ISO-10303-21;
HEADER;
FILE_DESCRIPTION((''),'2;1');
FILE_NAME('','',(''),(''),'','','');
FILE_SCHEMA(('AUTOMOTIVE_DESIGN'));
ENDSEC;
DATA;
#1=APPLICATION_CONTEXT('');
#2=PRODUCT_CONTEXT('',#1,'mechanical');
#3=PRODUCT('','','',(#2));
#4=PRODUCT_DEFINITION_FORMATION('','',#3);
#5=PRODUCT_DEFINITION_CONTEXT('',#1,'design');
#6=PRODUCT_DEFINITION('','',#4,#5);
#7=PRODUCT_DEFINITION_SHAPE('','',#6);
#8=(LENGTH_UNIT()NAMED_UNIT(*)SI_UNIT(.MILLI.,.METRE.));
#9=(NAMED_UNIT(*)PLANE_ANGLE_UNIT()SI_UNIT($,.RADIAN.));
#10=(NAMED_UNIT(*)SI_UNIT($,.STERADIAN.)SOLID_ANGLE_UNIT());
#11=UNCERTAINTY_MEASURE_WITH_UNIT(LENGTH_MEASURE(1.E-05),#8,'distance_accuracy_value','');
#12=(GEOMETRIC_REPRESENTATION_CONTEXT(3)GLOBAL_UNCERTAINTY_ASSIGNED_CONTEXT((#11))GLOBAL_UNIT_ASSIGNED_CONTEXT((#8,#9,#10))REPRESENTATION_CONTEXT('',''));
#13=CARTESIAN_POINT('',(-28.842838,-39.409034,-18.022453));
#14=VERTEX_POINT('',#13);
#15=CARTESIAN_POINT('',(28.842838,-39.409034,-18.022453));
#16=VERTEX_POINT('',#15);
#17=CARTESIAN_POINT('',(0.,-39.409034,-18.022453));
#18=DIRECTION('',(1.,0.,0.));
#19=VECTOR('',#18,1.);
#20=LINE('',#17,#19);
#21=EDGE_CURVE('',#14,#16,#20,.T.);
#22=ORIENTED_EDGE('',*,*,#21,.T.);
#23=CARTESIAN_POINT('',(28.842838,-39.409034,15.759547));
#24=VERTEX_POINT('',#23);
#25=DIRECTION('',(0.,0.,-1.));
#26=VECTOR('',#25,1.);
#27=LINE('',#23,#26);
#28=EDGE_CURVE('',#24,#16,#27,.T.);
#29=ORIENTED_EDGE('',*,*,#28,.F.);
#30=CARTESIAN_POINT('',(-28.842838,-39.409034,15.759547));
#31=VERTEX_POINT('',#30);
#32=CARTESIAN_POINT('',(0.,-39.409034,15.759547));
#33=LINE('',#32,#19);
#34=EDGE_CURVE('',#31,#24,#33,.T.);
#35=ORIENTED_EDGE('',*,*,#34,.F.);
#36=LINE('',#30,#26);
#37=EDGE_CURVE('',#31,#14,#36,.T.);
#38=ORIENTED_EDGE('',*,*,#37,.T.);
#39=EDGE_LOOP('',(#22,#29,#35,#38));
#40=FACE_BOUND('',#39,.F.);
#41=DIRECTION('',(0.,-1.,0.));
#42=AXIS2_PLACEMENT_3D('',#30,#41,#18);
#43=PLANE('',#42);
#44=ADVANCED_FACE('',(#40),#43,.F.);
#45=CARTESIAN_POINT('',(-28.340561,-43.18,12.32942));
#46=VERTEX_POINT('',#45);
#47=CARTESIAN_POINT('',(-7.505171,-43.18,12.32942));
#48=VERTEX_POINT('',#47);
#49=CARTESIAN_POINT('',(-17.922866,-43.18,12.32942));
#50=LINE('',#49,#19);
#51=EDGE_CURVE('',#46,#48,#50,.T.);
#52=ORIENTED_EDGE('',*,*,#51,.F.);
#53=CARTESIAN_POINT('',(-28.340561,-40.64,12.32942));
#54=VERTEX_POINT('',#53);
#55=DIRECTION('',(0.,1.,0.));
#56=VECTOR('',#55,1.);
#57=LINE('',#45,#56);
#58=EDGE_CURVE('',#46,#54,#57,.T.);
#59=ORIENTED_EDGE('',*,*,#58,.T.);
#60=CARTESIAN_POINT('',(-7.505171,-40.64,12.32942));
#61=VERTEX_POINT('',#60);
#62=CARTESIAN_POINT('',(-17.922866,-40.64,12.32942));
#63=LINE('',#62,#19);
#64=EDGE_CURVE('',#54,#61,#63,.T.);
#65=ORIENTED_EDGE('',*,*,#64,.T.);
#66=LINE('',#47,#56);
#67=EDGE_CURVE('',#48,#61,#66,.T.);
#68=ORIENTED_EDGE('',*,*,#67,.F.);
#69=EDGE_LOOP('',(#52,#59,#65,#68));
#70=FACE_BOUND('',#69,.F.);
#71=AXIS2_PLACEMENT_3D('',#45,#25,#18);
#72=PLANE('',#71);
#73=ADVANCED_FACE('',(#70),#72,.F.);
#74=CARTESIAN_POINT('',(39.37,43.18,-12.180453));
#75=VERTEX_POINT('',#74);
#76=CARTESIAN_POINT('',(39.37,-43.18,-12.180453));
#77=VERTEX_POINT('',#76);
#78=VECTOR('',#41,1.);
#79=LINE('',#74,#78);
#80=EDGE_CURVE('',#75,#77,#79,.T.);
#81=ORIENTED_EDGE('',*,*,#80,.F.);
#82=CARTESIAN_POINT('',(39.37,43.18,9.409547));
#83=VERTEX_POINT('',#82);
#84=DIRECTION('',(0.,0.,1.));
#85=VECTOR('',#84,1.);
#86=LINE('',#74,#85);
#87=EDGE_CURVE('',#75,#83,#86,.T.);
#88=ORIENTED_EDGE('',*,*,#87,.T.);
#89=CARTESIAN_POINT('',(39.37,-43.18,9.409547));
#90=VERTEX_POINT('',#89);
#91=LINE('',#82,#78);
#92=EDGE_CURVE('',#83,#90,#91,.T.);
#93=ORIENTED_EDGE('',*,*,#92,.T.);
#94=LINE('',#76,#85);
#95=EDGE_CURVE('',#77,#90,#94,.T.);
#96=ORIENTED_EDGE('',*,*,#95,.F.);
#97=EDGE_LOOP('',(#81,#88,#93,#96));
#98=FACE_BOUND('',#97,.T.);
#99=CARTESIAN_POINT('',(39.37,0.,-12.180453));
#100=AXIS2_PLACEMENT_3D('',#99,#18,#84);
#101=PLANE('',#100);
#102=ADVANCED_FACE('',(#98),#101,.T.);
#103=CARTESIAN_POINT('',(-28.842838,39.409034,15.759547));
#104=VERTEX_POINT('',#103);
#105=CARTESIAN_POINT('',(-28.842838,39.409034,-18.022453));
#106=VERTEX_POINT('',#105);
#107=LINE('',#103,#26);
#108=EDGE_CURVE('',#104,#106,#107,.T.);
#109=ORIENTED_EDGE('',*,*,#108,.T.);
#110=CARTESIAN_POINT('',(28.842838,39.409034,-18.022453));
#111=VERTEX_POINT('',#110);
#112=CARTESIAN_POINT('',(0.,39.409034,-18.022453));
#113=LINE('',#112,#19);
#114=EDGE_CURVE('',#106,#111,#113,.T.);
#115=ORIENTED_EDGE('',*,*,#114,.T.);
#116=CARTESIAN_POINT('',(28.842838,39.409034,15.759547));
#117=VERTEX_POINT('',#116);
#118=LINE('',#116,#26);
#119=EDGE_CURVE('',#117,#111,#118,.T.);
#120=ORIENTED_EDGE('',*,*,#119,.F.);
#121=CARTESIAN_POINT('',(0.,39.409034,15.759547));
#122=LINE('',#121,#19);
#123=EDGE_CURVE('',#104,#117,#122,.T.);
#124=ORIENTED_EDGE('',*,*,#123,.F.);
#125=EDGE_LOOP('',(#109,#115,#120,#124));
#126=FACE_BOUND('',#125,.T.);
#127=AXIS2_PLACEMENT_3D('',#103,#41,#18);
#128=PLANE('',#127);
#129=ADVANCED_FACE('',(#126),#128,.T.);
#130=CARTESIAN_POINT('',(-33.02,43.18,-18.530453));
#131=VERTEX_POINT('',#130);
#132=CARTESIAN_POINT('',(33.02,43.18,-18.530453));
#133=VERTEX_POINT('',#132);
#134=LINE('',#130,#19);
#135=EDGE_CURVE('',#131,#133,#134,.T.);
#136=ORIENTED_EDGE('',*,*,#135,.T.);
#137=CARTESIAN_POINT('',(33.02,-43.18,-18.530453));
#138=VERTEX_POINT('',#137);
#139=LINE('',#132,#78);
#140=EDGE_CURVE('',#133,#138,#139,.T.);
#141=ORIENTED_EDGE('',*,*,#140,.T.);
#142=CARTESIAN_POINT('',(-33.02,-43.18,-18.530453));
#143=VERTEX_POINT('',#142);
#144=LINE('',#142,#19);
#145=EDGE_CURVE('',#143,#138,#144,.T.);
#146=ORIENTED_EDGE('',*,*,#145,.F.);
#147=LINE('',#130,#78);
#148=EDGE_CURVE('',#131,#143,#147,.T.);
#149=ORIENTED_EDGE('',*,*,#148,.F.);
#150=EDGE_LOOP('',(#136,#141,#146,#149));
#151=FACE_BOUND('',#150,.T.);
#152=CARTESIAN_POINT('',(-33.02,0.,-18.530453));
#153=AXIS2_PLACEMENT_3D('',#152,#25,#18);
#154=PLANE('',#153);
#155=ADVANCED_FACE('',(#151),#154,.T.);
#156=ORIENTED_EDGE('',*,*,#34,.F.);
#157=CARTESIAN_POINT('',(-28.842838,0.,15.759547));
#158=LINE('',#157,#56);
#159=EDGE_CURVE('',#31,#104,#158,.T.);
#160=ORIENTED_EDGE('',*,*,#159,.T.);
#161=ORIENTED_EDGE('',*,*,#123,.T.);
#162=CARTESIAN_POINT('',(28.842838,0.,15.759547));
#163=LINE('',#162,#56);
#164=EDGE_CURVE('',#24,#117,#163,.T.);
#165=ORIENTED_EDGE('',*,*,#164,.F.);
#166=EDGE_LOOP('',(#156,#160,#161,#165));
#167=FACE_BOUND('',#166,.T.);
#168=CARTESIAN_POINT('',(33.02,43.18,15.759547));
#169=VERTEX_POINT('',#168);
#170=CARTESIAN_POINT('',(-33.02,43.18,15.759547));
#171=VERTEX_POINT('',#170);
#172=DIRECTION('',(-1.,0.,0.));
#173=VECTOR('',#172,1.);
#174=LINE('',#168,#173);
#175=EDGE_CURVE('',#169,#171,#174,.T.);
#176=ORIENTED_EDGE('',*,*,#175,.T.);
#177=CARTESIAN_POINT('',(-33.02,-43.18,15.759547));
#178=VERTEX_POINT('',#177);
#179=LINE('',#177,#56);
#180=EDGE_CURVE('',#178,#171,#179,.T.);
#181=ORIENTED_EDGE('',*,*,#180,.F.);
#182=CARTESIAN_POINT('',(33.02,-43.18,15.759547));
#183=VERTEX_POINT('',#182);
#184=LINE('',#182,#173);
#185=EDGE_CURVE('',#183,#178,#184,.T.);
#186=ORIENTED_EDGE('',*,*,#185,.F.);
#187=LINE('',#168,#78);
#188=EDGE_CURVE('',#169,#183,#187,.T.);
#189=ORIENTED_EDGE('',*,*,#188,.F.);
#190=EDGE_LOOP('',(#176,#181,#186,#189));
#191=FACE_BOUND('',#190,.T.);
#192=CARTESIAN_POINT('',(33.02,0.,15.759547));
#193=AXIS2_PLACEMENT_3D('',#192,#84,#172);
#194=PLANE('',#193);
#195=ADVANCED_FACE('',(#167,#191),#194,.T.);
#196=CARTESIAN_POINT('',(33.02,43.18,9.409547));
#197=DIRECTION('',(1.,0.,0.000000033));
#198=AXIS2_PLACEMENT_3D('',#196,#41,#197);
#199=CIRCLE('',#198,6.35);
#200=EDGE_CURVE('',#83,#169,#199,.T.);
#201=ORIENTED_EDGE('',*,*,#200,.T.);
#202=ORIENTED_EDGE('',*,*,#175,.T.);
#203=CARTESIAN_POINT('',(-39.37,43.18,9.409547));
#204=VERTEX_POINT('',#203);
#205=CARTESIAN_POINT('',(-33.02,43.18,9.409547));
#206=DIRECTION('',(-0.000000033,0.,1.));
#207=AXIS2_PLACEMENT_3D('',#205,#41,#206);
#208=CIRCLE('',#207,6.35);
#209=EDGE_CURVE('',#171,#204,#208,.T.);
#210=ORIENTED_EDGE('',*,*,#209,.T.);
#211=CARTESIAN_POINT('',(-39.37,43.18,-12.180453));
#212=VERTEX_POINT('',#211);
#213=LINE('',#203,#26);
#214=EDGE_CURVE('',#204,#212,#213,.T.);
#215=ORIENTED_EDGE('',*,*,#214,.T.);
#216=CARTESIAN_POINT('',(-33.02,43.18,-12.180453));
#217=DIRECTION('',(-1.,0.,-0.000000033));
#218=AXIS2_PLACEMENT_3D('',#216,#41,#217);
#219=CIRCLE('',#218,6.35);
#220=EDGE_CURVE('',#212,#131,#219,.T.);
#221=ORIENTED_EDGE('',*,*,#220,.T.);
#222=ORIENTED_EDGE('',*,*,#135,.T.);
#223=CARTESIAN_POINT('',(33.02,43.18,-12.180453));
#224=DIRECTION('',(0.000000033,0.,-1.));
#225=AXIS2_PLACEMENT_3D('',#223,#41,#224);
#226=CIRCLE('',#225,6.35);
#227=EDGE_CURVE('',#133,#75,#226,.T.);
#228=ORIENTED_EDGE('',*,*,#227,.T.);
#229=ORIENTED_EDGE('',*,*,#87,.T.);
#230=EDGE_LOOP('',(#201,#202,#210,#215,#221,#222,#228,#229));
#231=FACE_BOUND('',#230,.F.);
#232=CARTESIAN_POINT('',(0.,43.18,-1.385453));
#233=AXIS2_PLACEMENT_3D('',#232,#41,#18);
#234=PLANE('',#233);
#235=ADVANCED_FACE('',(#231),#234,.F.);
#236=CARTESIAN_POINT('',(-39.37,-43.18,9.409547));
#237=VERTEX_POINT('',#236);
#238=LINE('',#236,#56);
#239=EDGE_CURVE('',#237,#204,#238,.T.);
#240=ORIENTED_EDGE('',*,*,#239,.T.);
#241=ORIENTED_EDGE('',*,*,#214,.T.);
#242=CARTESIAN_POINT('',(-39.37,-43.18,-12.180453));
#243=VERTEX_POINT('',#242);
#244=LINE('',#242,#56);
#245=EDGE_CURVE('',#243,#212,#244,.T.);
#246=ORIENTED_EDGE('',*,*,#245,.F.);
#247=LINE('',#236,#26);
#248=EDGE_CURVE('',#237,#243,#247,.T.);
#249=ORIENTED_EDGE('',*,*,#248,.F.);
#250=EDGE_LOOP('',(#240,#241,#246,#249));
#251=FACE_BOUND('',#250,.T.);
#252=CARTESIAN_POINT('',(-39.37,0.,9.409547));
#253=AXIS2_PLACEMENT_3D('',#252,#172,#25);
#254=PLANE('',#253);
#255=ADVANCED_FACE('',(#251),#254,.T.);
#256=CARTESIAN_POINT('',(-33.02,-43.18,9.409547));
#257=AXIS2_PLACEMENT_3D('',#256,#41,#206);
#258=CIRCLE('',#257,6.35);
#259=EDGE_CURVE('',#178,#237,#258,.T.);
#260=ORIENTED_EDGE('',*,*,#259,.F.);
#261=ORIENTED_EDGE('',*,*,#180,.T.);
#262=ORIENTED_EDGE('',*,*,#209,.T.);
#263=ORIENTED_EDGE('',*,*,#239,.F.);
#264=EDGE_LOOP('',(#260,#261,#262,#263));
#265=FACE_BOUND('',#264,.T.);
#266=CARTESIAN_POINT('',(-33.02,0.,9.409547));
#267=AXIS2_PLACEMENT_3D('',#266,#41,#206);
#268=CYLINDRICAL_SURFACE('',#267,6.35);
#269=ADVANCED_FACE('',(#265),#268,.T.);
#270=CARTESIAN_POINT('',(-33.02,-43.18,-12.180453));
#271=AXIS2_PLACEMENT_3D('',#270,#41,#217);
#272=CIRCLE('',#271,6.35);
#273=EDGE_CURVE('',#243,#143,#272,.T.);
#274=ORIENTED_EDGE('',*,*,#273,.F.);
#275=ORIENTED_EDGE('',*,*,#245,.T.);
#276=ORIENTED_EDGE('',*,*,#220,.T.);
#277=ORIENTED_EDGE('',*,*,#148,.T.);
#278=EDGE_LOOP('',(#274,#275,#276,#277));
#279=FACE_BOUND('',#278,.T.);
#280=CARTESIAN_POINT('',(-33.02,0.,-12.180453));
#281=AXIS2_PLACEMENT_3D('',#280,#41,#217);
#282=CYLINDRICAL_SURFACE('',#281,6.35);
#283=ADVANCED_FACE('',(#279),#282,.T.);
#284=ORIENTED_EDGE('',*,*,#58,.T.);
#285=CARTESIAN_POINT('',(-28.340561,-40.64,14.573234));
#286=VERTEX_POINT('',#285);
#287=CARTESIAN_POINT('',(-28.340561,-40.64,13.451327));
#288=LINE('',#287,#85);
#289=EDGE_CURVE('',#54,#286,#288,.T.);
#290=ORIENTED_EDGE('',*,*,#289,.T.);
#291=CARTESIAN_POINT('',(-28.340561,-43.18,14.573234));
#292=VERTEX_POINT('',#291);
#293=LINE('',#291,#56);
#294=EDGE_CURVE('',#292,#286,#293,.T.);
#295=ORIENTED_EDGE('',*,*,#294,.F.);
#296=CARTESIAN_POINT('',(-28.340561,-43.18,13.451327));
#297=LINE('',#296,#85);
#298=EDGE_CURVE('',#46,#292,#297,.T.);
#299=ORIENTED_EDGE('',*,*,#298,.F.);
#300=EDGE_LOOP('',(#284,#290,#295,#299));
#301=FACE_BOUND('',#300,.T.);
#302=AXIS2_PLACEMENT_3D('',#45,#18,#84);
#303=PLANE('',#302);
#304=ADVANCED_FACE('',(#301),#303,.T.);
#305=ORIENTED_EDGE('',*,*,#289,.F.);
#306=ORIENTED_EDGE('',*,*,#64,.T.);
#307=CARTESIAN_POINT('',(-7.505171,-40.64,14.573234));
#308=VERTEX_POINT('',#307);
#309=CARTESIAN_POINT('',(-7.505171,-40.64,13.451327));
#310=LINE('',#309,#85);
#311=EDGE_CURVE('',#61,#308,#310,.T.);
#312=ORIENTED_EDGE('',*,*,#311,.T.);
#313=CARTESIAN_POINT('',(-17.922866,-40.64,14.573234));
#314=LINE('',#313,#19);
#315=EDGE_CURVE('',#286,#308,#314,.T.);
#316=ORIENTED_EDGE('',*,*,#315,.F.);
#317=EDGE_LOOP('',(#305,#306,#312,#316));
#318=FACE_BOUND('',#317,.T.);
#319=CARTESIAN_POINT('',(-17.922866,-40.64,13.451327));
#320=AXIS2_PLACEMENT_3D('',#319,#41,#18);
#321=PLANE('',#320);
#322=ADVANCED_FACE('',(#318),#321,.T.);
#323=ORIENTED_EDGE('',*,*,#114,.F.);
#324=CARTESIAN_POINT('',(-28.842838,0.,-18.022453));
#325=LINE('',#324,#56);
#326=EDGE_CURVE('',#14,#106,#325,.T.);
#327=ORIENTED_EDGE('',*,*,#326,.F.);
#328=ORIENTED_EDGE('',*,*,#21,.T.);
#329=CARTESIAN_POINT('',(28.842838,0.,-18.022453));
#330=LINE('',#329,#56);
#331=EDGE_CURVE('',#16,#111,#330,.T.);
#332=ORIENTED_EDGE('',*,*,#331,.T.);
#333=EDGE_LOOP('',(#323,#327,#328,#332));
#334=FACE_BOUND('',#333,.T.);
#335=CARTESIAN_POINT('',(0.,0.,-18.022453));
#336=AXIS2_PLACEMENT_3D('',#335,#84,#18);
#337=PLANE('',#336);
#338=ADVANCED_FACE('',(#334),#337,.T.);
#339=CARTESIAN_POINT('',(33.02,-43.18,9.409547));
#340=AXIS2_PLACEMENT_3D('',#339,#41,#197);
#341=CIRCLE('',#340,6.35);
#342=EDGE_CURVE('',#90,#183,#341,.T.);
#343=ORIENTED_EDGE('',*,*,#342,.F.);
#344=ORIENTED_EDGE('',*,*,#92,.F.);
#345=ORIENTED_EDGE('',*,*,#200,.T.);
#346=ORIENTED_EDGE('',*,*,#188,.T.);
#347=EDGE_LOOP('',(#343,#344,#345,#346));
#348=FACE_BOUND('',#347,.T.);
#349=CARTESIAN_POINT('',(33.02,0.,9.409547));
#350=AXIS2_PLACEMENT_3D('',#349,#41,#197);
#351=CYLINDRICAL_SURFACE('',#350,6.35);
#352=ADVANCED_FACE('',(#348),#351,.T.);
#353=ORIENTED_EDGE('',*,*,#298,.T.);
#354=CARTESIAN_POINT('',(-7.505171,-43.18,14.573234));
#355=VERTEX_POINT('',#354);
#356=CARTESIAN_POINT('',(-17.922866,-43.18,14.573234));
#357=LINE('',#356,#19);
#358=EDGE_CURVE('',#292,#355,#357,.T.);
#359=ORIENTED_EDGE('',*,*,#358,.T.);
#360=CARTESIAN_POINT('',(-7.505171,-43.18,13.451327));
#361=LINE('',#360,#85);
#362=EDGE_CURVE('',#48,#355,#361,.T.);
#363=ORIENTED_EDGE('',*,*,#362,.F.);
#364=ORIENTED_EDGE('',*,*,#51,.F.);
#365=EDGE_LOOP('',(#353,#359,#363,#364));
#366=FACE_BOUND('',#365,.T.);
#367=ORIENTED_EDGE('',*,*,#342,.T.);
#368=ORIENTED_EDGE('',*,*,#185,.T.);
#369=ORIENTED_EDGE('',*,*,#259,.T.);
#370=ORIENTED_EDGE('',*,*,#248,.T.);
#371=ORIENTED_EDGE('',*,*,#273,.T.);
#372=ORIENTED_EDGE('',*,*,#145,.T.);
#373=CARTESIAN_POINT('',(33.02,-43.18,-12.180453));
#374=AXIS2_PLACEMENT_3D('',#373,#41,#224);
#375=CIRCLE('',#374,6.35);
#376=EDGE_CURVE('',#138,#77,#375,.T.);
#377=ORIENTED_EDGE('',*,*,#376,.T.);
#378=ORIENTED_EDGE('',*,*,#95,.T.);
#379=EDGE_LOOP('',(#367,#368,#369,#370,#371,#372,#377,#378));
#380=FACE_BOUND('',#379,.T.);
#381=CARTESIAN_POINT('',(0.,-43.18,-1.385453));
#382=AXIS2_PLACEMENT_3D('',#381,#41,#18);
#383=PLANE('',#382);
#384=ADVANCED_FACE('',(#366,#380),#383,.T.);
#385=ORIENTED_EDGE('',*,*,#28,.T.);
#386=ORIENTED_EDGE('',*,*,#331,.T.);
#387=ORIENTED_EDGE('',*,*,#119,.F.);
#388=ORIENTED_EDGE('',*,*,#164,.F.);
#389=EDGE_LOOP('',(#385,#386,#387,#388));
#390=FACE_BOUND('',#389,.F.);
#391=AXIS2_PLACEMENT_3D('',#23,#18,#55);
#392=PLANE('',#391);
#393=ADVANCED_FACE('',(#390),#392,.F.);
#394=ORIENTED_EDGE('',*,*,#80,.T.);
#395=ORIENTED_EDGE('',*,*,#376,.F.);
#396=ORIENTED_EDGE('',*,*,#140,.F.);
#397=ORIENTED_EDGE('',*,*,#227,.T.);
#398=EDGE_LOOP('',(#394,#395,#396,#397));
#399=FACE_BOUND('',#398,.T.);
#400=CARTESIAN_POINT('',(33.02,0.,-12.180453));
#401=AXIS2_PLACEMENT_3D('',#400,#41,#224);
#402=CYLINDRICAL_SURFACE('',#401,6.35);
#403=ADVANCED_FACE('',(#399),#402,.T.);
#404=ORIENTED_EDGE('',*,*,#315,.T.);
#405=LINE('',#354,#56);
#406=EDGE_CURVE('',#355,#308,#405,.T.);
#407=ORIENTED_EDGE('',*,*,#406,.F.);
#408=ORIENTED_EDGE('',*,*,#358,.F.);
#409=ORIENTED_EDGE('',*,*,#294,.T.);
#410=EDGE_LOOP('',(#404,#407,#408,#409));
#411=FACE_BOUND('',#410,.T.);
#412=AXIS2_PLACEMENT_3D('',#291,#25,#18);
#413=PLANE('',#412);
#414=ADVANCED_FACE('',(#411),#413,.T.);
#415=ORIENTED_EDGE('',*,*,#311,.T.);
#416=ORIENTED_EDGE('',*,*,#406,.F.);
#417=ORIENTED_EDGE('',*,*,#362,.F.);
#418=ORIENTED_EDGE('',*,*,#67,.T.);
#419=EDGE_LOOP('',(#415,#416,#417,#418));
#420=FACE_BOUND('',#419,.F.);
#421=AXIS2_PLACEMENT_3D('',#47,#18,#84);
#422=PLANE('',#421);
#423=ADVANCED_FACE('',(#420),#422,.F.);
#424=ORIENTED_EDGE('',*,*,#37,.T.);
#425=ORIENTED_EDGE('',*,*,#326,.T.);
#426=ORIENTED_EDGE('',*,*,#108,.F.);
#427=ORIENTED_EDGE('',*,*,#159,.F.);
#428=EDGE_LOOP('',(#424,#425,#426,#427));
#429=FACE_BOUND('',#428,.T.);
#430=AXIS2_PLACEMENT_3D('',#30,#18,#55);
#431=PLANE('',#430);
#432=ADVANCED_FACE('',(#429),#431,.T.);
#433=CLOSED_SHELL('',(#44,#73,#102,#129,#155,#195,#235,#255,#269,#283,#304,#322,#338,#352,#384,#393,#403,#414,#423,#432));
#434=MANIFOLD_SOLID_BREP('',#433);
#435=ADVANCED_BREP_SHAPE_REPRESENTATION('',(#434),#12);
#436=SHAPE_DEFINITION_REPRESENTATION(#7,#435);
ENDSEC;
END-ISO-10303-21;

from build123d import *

# Parameters (mm, degrees)
F1_DEPTH = 43.18
F2_W     = 57.685676
F2_H     = 78.818068
F3_DEPTH = 33.782
F4_W     = 20.835391
F4_H     = 2.243813
F5_DEPTH = 2.54


with BuildPart() as f1:
    # F0 (on Front) → F1 (new body, symmetric)
    with BuildSketch(Plane.XZ):
        with BuildLine():
            ThreePointArc((-39.37, -12.180453), (-37.510128, -16.670581), (-33.02, -18.530453))
            Line((-33.02, -18.530453), (33.02, -18.530453))
            ThreePointArc((33.02, -18.530453), (37.510128, -16.670581), (39.37, -12.180453))
            Line((39.37, -12.180453), (39.37, 9.409547))
            ThreePointArc((39.37, 9.409547), (37.510128, 13.899675), (33.02, 15.759547))
            Line((33.02, 15.759547), (-33.02, 15.759547))
            ThreePointArc((-33.02, 15.759547), (-37.510128, 13.899675), (-39.37, 9.409547))
            Line((-39.37, 9.409547), (-39.37, -12.180453))
        make_face()
    extrude(amount=F1_DEPTH, both=True)

    # F2 (on face) → F3 (cut)
    with BuildSketch(Plane.XY.offset(15.759547)):
        Rectangle(F2_W, F2_H)
    extrude(amount=-F3_DEPTH, mode=Mode.SUBTRACT)

    # F4 (on face) → F5 (cut)
    with BuildSketch(Plane.XZ.offset(43.18)):
        with Locations((-17.922866, 13.451327)):
            Rectangle(F4_W, F4_H)
    extrude(amount=-F5_DEPTH, mode=Mode.SUBTRACT)


solid = f1.part
